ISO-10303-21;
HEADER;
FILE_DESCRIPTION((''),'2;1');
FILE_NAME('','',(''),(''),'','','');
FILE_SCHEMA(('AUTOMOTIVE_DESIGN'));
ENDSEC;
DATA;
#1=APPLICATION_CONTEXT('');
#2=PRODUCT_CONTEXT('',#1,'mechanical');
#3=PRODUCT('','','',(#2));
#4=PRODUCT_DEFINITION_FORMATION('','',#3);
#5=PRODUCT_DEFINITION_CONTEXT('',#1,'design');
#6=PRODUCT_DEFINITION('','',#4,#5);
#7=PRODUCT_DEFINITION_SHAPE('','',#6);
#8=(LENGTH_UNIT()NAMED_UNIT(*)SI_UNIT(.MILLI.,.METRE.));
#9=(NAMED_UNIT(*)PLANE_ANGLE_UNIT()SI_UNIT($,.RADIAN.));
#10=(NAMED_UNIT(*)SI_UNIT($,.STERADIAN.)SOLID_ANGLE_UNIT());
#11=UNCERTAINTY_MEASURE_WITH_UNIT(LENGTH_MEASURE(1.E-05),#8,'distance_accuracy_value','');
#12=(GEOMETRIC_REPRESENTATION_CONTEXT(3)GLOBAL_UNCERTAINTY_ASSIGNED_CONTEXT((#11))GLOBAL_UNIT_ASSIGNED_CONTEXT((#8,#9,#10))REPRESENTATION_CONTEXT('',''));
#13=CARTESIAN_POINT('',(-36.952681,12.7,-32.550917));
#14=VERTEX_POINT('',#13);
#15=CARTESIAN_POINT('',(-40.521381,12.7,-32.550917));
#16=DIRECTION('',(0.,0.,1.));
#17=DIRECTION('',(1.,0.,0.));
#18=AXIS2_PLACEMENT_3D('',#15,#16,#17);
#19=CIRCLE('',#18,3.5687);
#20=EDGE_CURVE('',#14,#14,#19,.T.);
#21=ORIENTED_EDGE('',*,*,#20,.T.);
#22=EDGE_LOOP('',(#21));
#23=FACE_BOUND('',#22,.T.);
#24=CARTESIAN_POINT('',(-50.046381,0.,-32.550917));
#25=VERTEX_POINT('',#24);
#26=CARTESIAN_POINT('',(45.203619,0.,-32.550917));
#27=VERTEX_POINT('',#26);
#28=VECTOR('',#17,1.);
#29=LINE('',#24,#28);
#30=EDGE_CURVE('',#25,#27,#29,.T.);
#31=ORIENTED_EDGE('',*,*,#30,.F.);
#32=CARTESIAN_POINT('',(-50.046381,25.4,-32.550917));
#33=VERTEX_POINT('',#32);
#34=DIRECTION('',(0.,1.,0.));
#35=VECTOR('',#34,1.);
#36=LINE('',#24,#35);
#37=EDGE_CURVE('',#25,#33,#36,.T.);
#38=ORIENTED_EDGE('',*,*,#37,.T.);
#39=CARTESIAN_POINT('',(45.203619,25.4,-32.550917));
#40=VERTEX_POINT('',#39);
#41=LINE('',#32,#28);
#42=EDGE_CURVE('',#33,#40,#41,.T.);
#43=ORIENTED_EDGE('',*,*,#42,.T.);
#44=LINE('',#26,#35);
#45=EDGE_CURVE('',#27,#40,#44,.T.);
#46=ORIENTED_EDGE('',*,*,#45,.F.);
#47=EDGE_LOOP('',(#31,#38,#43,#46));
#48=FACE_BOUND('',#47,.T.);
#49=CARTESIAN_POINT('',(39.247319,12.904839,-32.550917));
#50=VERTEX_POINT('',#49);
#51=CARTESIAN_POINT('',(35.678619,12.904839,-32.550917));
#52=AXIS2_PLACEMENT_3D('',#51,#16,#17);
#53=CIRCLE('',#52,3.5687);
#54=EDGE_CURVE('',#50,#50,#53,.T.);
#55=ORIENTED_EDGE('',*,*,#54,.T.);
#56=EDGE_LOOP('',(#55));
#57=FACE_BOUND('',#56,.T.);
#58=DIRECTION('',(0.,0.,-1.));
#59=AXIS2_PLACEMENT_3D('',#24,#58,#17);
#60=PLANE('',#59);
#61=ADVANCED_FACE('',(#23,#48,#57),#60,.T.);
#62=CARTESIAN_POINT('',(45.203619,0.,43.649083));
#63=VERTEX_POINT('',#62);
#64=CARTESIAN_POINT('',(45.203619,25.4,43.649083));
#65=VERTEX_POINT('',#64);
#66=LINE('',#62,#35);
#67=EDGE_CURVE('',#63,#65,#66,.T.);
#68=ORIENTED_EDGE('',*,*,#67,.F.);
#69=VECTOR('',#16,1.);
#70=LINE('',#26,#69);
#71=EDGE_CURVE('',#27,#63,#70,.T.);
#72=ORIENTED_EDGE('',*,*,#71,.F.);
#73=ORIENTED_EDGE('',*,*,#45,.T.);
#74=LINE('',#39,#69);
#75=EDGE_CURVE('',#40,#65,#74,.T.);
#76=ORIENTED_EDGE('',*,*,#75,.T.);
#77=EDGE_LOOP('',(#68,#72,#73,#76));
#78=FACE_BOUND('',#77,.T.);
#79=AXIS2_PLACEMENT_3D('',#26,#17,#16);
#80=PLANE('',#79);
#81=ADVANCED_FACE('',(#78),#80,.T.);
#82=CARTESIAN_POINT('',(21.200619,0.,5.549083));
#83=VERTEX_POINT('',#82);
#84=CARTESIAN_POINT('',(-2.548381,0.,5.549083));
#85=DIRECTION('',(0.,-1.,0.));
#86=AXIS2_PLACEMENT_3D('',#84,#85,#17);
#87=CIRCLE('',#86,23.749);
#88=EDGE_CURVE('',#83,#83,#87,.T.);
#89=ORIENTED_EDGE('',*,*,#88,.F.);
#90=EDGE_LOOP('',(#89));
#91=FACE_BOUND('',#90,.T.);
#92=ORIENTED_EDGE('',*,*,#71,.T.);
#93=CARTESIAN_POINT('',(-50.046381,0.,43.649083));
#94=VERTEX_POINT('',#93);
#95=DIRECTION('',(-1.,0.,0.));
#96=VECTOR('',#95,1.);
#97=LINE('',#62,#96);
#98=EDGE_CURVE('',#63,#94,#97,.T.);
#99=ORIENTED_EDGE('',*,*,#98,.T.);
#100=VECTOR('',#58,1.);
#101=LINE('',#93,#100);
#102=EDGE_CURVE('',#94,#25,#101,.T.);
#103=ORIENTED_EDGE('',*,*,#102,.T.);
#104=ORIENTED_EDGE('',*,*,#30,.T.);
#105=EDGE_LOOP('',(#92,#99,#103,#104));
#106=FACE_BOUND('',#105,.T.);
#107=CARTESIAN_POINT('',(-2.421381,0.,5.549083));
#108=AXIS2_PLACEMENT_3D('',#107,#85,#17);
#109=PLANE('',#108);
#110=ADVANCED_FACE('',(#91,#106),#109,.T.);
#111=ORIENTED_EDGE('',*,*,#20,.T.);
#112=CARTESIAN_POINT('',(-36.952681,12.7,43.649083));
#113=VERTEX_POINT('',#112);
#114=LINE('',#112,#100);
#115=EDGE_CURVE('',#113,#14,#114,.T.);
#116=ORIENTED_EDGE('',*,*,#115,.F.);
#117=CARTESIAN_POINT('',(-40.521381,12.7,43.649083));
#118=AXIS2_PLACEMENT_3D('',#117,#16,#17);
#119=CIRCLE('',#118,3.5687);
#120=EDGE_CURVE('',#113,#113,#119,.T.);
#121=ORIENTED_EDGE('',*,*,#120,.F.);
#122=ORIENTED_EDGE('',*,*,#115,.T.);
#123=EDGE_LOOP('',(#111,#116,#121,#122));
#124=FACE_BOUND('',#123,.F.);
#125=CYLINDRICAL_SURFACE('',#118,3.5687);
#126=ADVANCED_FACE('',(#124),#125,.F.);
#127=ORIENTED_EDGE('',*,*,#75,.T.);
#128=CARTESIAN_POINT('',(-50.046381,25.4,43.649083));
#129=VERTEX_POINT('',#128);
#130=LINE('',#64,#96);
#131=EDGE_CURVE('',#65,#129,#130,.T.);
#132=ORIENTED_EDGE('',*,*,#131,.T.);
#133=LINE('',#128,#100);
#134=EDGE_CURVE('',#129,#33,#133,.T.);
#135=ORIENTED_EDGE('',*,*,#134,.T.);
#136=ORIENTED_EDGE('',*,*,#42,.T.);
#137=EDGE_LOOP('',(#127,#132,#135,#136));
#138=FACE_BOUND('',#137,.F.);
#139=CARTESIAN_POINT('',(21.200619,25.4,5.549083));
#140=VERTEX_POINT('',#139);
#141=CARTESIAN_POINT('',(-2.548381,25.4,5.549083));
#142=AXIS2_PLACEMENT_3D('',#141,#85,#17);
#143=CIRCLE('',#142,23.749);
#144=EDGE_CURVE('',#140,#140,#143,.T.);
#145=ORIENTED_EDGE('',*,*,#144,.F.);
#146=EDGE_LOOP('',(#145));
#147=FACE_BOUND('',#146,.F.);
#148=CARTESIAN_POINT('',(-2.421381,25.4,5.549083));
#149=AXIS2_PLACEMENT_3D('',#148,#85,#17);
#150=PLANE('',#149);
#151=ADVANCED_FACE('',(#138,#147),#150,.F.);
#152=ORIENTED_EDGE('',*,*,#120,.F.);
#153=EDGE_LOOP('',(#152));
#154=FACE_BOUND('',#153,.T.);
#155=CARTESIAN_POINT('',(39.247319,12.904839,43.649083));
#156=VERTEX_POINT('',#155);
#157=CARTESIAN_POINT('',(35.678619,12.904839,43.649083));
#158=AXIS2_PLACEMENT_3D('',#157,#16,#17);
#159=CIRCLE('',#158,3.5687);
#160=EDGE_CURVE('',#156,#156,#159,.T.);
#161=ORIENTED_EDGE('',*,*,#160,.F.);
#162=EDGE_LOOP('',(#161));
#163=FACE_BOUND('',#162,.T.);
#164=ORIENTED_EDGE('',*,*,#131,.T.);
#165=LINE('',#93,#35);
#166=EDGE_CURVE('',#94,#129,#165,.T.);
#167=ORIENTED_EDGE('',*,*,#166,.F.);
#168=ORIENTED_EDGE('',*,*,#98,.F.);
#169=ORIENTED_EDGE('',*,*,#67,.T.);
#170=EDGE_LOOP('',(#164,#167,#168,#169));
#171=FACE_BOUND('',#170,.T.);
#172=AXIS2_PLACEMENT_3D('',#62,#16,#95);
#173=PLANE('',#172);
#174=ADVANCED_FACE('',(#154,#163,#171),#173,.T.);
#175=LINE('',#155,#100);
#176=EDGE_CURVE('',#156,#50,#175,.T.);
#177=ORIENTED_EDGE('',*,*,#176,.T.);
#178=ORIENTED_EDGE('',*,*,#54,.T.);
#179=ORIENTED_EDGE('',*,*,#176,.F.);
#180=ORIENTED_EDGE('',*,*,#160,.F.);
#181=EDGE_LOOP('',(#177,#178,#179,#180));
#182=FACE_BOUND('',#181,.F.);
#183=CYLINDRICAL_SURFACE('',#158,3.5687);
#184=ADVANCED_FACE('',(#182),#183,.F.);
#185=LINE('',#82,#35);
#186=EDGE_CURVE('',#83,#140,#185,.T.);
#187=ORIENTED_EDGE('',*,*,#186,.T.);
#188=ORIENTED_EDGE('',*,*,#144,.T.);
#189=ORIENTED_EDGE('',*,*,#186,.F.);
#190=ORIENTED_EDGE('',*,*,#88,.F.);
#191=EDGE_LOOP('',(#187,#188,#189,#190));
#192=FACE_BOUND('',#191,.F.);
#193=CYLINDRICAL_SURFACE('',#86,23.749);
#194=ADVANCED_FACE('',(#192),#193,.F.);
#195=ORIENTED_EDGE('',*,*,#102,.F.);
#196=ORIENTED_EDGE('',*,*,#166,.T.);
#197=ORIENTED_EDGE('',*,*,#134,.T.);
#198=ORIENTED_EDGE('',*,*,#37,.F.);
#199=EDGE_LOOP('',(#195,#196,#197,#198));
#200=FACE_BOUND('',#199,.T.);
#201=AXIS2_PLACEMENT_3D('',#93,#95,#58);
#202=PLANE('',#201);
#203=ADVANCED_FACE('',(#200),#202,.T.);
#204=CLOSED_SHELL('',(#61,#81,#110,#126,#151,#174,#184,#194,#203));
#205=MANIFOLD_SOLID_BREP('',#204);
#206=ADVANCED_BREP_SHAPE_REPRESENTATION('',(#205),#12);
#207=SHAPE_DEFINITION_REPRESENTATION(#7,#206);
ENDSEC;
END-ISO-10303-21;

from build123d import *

# Parameters (mm, degrees)
F0_R     = 23.749
F1_DEPTH = 25.4
F2_R     = 3.5687
F3_DEPTH = 76.201


with BuildPart() as f1:
    # F0 (on Front) → F1 (new body)
    with BuildSketch(Plane.XZ):
        Polygon((-50.046381, 43.649083), (-50.046381, -32.550917), (45.203619, -32.550917), (45.203619, 5.549083), (45.203619, 43.649083), align=None)
        with Locations((-2.548381, 5.549083)):
            Circle(F0_R, mode=Mode.SUBTRACT)
    extrude(amount=-F1_DEPTH)

    # F2 (on face) → F3 (cut, through all)
    with BuildSketch(Plane.XY.offset(43.649083)):
        with Locations((-40.521381, 12.7)):
            Circle(F2_R)
        with Locations((35.678619, 12.904839)):
            Circle(F2_R)
    extrude(amount=-F3_DEPTH, mode=Mode.SUBTRACT)


solid = f1.part
